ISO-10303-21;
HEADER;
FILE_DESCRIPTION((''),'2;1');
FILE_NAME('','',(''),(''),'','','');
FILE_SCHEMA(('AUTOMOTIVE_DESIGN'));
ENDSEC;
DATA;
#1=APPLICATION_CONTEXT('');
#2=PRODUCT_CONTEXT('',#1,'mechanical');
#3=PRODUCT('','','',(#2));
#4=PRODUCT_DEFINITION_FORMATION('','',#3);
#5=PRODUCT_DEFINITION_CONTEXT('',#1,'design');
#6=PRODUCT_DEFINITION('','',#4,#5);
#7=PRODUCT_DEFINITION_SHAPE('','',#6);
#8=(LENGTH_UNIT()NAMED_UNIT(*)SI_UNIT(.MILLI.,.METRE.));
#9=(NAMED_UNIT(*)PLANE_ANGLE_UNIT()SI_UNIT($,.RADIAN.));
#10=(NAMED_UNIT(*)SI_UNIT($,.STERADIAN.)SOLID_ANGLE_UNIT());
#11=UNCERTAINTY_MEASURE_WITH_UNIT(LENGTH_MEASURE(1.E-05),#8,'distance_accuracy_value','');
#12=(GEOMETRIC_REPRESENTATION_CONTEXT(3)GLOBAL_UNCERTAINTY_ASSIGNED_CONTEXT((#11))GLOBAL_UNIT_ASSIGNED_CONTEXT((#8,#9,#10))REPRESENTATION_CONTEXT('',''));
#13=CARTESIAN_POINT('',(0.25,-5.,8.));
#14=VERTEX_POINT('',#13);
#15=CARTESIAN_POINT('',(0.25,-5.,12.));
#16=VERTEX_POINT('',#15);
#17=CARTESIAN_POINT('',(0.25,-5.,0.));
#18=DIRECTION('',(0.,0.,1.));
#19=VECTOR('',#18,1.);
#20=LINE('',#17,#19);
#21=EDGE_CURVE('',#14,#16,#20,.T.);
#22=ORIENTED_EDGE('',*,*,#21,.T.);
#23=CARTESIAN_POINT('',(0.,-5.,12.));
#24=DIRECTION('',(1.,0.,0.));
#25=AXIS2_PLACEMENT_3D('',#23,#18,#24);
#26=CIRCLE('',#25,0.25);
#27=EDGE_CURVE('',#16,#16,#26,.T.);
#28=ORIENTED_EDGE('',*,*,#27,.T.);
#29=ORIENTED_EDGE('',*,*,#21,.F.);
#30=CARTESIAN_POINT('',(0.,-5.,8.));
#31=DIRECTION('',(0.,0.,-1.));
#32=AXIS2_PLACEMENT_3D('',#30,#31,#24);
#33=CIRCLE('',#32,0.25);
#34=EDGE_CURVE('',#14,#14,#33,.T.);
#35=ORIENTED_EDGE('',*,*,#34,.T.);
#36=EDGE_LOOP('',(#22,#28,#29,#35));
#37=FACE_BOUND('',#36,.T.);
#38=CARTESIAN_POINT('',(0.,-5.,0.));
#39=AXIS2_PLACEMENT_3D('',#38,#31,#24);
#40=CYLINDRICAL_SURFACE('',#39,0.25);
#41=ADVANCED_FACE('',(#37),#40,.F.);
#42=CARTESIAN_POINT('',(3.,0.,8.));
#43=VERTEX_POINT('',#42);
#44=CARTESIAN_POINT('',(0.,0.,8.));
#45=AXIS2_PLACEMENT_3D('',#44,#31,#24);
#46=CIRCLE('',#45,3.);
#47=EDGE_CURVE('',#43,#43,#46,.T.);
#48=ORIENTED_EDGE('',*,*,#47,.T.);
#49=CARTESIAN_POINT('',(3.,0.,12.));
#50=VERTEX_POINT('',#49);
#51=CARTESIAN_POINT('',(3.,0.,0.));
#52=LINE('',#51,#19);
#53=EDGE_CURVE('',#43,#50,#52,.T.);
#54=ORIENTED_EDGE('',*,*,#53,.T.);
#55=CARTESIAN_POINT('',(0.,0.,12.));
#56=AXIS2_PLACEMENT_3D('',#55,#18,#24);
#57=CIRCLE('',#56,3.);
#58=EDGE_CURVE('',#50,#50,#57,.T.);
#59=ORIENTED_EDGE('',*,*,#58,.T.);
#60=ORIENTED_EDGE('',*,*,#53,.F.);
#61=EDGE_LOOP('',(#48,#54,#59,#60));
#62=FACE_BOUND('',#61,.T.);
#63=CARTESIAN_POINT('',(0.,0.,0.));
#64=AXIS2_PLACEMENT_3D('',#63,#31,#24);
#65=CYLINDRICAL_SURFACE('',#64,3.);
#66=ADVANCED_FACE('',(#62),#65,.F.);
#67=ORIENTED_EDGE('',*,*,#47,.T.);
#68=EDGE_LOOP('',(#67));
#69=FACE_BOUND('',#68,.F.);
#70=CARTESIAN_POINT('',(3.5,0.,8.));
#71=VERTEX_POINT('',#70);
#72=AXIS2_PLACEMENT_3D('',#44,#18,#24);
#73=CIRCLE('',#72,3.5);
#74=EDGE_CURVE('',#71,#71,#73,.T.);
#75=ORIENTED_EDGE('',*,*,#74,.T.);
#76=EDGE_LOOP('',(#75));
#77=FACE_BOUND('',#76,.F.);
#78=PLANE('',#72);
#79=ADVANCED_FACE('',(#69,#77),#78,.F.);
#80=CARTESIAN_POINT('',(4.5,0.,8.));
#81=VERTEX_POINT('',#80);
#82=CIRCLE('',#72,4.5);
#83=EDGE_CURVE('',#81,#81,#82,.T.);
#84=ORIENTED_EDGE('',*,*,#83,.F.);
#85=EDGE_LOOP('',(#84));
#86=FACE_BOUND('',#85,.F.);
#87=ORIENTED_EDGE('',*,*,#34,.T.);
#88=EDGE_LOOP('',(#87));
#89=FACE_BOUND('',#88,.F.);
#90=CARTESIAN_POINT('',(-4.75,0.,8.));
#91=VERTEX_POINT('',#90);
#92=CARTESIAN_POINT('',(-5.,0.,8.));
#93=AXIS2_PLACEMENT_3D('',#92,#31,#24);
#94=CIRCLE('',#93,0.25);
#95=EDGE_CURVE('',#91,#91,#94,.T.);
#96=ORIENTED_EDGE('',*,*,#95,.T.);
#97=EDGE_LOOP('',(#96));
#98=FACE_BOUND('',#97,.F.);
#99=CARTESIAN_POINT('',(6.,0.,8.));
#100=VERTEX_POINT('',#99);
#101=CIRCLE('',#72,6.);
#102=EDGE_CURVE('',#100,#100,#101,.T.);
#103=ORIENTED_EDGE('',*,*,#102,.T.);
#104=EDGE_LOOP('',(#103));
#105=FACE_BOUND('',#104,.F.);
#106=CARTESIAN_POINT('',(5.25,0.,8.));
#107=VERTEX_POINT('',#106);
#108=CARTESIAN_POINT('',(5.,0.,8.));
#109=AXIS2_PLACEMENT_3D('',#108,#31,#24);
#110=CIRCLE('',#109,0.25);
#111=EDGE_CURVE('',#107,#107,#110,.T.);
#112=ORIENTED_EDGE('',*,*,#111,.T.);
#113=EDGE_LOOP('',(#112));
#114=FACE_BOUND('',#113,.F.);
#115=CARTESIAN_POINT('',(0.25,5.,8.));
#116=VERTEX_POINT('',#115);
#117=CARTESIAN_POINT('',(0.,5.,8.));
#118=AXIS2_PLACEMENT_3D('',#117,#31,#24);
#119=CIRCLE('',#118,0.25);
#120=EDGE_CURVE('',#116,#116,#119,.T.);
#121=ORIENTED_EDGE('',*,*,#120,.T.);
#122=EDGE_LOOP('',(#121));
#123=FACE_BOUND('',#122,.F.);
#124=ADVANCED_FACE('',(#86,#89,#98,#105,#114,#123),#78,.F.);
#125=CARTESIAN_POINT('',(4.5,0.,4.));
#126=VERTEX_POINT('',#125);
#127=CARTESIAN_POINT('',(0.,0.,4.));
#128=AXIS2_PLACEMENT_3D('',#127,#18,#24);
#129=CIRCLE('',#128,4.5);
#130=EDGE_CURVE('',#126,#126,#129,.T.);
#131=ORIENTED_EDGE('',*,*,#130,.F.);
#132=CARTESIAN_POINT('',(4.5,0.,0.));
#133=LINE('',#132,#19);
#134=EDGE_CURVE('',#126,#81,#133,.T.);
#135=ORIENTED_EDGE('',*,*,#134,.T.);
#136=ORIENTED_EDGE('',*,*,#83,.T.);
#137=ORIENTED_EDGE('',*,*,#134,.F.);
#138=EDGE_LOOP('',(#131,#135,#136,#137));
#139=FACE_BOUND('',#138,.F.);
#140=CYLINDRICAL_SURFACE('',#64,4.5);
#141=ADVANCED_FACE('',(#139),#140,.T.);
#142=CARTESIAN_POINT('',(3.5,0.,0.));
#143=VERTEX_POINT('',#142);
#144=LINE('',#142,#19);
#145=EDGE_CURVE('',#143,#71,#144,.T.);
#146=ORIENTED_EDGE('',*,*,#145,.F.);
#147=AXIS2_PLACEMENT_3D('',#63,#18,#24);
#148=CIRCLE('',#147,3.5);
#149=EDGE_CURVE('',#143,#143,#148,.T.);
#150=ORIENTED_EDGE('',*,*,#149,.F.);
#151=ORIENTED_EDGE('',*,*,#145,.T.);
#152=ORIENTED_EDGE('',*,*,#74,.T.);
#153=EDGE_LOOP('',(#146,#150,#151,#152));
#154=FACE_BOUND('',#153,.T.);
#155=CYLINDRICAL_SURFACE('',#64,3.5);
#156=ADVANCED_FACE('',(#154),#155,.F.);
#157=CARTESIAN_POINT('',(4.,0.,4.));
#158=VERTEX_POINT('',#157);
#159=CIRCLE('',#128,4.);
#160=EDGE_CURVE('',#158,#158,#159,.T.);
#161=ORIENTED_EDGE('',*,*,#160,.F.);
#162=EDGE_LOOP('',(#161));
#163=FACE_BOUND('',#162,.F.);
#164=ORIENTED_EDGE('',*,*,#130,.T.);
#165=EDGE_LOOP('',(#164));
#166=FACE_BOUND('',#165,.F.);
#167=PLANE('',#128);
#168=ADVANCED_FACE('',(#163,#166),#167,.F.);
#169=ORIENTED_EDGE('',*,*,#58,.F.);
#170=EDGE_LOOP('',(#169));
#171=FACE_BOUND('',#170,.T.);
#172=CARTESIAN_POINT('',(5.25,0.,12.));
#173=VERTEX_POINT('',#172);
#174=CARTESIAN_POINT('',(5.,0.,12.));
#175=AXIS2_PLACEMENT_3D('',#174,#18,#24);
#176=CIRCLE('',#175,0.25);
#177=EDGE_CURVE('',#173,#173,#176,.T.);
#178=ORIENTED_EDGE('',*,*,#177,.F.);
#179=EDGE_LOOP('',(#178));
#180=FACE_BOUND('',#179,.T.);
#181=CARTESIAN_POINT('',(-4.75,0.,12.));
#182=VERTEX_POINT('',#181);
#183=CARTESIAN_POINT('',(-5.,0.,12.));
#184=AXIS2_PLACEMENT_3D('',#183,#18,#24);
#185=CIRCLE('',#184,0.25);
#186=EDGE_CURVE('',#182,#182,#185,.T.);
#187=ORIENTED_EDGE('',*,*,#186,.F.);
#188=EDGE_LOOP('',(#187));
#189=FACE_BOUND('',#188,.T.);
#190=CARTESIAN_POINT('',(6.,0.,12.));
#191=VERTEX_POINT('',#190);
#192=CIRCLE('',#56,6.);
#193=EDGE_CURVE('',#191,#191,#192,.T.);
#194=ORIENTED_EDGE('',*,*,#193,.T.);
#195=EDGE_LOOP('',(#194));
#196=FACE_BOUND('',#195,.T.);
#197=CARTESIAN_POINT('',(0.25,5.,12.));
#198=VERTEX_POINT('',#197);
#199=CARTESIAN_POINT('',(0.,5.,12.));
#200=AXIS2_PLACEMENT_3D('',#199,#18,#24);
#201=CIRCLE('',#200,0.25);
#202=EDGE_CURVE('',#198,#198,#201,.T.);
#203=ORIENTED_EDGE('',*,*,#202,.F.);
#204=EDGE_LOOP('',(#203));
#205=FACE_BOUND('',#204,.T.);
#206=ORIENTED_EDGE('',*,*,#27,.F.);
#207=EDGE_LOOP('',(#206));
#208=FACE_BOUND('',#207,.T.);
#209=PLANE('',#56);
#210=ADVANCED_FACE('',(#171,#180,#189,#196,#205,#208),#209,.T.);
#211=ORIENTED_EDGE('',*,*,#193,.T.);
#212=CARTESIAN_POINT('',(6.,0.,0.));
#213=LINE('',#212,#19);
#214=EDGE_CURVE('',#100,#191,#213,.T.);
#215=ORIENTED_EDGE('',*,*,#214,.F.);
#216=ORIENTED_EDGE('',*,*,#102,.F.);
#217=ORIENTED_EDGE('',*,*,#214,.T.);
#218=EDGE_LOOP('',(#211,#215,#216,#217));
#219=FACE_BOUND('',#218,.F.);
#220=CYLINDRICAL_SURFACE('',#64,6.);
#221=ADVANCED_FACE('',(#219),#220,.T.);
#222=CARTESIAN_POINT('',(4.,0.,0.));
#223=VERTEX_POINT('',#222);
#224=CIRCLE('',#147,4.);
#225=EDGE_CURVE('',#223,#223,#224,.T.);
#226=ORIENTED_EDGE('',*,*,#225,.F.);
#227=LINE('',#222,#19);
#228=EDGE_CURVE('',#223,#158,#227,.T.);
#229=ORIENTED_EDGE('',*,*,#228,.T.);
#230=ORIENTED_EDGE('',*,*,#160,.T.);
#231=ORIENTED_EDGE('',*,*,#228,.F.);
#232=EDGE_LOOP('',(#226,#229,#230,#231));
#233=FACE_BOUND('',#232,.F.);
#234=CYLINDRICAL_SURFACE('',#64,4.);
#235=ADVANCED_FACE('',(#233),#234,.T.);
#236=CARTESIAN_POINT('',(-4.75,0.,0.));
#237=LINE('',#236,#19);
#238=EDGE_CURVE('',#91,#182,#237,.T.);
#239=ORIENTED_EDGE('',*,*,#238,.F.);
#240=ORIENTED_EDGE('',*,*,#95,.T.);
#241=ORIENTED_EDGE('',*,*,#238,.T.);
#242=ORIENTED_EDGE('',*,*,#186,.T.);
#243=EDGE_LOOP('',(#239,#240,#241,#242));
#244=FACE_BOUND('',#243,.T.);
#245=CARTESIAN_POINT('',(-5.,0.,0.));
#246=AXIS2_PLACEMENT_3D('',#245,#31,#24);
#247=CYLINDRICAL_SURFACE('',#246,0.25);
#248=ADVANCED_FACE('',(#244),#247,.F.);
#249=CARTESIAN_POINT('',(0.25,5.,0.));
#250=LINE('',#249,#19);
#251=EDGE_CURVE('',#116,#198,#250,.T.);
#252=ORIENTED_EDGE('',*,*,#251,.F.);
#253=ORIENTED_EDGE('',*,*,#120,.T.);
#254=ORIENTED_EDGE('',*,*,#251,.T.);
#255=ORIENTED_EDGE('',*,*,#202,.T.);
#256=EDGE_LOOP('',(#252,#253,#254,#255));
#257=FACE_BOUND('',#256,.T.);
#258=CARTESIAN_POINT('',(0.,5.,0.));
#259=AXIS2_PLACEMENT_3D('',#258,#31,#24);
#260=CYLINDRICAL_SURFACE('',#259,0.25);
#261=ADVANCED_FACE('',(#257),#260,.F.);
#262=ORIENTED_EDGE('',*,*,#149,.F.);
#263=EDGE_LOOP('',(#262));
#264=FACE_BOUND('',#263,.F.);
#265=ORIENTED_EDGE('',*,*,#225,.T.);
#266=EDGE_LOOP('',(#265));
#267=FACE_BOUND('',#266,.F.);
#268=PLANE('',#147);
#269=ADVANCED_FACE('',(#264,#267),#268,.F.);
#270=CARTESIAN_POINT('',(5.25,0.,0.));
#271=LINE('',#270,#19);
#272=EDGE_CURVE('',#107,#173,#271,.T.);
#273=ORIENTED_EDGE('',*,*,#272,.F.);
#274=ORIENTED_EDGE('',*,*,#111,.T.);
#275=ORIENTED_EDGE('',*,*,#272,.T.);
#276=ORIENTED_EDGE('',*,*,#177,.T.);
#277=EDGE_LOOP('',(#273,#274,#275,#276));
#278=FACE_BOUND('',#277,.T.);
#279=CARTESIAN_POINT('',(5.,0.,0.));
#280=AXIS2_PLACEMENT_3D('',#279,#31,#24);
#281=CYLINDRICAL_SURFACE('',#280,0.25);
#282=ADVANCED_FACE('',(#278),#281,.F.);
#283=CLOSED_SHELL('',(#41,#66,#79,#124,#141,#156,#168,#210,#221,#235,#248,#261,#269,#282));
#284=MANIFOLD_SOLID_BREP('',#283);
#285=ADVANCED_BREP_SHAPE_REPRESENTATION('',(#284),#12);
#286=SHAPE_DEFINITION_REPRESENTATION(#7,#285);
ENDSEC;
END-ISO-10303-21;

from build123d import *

# Parameters (mm, degrees)
SKETCH_R          = 6
SKETCH_R_2        = 3
SKETCH_R_3        = 0.25
PAD_DEPTH         = 12
CYLINDER_R        = 6
CYLINDER_DEPTH    = 8
CYLINDER001_R     = 4.5
CYLINDER001_DEPTH = 8
CYLINDER002_R     = 4.5
CYLINDER002_DEPTH = 4
CYLINDER003_R     = 4
CYLINDER003_DEPTH = 4
CYLINDER004_R     = 3.5
CYLINDER004_DEPTH = 8


with BuildPart() as part:
    # Sketch → Pad (new body)
    with BuildSketch(Plane.XY):
        Circle(SKETCH_R)
        Circle(SKETCH_R_2, mode=Mode.SUBTRACT)
        with Locations((-5, 0)):
            Circle(SKETCH_R_3, mode=Mode.SUBTRACT)
        with Locations((5, 0)):
            Circle(SKETCH_R_3, mode=Mode.SUBTRACT)
        with Locations((0, 5)):
            Circle(SKETCH_R_3, mode=Mode.SUBTRACT)
        with Locations((0, -5)):
            Circle(SKETCH_R_3, mode=Mode.SUBTRACT)
    extrude(amount=PAD_DEPTH)

    # Cylinder → Cylinder (cut)
    with BuildSketch(Plane.XY):
        Circle(CYLINDER_R)
    extrude(amount=CYLINDER_DEPTH, mode=Mode.SUBTRACT)

    # Cylinder001 → Cylinder001 (join)
    with BuildSketch(Plane.XY):
        Circle(CYLINDER001_R)
    extrude(amount=CYLINDER001_DEPTH)

    # Cylinder002 → Cylinder002 (cut)
    with BuildSketch(Plane.XY):
        Circle(CYLINDER002_R)
    extrude(amount=CYLINDER002_DEPTH, mode=Mode.SUBTRACT)

    # Cylinder003 → Cylinder003 (join)
    with BuildSketch(Plane.XY):
        Circle(CYLINDER003_R)
    extrude(amount=CYLINDER003_DEPTH)

    # Cylinder004 → Cylinder004 (cut)
    with BuildSketch(Plane.XY):
        Circle(CYLINDER004_R)
    extrude(amount=CYLINDER004_DEPTH, mode=Mode.SUBTRACT)


solid = part.part
